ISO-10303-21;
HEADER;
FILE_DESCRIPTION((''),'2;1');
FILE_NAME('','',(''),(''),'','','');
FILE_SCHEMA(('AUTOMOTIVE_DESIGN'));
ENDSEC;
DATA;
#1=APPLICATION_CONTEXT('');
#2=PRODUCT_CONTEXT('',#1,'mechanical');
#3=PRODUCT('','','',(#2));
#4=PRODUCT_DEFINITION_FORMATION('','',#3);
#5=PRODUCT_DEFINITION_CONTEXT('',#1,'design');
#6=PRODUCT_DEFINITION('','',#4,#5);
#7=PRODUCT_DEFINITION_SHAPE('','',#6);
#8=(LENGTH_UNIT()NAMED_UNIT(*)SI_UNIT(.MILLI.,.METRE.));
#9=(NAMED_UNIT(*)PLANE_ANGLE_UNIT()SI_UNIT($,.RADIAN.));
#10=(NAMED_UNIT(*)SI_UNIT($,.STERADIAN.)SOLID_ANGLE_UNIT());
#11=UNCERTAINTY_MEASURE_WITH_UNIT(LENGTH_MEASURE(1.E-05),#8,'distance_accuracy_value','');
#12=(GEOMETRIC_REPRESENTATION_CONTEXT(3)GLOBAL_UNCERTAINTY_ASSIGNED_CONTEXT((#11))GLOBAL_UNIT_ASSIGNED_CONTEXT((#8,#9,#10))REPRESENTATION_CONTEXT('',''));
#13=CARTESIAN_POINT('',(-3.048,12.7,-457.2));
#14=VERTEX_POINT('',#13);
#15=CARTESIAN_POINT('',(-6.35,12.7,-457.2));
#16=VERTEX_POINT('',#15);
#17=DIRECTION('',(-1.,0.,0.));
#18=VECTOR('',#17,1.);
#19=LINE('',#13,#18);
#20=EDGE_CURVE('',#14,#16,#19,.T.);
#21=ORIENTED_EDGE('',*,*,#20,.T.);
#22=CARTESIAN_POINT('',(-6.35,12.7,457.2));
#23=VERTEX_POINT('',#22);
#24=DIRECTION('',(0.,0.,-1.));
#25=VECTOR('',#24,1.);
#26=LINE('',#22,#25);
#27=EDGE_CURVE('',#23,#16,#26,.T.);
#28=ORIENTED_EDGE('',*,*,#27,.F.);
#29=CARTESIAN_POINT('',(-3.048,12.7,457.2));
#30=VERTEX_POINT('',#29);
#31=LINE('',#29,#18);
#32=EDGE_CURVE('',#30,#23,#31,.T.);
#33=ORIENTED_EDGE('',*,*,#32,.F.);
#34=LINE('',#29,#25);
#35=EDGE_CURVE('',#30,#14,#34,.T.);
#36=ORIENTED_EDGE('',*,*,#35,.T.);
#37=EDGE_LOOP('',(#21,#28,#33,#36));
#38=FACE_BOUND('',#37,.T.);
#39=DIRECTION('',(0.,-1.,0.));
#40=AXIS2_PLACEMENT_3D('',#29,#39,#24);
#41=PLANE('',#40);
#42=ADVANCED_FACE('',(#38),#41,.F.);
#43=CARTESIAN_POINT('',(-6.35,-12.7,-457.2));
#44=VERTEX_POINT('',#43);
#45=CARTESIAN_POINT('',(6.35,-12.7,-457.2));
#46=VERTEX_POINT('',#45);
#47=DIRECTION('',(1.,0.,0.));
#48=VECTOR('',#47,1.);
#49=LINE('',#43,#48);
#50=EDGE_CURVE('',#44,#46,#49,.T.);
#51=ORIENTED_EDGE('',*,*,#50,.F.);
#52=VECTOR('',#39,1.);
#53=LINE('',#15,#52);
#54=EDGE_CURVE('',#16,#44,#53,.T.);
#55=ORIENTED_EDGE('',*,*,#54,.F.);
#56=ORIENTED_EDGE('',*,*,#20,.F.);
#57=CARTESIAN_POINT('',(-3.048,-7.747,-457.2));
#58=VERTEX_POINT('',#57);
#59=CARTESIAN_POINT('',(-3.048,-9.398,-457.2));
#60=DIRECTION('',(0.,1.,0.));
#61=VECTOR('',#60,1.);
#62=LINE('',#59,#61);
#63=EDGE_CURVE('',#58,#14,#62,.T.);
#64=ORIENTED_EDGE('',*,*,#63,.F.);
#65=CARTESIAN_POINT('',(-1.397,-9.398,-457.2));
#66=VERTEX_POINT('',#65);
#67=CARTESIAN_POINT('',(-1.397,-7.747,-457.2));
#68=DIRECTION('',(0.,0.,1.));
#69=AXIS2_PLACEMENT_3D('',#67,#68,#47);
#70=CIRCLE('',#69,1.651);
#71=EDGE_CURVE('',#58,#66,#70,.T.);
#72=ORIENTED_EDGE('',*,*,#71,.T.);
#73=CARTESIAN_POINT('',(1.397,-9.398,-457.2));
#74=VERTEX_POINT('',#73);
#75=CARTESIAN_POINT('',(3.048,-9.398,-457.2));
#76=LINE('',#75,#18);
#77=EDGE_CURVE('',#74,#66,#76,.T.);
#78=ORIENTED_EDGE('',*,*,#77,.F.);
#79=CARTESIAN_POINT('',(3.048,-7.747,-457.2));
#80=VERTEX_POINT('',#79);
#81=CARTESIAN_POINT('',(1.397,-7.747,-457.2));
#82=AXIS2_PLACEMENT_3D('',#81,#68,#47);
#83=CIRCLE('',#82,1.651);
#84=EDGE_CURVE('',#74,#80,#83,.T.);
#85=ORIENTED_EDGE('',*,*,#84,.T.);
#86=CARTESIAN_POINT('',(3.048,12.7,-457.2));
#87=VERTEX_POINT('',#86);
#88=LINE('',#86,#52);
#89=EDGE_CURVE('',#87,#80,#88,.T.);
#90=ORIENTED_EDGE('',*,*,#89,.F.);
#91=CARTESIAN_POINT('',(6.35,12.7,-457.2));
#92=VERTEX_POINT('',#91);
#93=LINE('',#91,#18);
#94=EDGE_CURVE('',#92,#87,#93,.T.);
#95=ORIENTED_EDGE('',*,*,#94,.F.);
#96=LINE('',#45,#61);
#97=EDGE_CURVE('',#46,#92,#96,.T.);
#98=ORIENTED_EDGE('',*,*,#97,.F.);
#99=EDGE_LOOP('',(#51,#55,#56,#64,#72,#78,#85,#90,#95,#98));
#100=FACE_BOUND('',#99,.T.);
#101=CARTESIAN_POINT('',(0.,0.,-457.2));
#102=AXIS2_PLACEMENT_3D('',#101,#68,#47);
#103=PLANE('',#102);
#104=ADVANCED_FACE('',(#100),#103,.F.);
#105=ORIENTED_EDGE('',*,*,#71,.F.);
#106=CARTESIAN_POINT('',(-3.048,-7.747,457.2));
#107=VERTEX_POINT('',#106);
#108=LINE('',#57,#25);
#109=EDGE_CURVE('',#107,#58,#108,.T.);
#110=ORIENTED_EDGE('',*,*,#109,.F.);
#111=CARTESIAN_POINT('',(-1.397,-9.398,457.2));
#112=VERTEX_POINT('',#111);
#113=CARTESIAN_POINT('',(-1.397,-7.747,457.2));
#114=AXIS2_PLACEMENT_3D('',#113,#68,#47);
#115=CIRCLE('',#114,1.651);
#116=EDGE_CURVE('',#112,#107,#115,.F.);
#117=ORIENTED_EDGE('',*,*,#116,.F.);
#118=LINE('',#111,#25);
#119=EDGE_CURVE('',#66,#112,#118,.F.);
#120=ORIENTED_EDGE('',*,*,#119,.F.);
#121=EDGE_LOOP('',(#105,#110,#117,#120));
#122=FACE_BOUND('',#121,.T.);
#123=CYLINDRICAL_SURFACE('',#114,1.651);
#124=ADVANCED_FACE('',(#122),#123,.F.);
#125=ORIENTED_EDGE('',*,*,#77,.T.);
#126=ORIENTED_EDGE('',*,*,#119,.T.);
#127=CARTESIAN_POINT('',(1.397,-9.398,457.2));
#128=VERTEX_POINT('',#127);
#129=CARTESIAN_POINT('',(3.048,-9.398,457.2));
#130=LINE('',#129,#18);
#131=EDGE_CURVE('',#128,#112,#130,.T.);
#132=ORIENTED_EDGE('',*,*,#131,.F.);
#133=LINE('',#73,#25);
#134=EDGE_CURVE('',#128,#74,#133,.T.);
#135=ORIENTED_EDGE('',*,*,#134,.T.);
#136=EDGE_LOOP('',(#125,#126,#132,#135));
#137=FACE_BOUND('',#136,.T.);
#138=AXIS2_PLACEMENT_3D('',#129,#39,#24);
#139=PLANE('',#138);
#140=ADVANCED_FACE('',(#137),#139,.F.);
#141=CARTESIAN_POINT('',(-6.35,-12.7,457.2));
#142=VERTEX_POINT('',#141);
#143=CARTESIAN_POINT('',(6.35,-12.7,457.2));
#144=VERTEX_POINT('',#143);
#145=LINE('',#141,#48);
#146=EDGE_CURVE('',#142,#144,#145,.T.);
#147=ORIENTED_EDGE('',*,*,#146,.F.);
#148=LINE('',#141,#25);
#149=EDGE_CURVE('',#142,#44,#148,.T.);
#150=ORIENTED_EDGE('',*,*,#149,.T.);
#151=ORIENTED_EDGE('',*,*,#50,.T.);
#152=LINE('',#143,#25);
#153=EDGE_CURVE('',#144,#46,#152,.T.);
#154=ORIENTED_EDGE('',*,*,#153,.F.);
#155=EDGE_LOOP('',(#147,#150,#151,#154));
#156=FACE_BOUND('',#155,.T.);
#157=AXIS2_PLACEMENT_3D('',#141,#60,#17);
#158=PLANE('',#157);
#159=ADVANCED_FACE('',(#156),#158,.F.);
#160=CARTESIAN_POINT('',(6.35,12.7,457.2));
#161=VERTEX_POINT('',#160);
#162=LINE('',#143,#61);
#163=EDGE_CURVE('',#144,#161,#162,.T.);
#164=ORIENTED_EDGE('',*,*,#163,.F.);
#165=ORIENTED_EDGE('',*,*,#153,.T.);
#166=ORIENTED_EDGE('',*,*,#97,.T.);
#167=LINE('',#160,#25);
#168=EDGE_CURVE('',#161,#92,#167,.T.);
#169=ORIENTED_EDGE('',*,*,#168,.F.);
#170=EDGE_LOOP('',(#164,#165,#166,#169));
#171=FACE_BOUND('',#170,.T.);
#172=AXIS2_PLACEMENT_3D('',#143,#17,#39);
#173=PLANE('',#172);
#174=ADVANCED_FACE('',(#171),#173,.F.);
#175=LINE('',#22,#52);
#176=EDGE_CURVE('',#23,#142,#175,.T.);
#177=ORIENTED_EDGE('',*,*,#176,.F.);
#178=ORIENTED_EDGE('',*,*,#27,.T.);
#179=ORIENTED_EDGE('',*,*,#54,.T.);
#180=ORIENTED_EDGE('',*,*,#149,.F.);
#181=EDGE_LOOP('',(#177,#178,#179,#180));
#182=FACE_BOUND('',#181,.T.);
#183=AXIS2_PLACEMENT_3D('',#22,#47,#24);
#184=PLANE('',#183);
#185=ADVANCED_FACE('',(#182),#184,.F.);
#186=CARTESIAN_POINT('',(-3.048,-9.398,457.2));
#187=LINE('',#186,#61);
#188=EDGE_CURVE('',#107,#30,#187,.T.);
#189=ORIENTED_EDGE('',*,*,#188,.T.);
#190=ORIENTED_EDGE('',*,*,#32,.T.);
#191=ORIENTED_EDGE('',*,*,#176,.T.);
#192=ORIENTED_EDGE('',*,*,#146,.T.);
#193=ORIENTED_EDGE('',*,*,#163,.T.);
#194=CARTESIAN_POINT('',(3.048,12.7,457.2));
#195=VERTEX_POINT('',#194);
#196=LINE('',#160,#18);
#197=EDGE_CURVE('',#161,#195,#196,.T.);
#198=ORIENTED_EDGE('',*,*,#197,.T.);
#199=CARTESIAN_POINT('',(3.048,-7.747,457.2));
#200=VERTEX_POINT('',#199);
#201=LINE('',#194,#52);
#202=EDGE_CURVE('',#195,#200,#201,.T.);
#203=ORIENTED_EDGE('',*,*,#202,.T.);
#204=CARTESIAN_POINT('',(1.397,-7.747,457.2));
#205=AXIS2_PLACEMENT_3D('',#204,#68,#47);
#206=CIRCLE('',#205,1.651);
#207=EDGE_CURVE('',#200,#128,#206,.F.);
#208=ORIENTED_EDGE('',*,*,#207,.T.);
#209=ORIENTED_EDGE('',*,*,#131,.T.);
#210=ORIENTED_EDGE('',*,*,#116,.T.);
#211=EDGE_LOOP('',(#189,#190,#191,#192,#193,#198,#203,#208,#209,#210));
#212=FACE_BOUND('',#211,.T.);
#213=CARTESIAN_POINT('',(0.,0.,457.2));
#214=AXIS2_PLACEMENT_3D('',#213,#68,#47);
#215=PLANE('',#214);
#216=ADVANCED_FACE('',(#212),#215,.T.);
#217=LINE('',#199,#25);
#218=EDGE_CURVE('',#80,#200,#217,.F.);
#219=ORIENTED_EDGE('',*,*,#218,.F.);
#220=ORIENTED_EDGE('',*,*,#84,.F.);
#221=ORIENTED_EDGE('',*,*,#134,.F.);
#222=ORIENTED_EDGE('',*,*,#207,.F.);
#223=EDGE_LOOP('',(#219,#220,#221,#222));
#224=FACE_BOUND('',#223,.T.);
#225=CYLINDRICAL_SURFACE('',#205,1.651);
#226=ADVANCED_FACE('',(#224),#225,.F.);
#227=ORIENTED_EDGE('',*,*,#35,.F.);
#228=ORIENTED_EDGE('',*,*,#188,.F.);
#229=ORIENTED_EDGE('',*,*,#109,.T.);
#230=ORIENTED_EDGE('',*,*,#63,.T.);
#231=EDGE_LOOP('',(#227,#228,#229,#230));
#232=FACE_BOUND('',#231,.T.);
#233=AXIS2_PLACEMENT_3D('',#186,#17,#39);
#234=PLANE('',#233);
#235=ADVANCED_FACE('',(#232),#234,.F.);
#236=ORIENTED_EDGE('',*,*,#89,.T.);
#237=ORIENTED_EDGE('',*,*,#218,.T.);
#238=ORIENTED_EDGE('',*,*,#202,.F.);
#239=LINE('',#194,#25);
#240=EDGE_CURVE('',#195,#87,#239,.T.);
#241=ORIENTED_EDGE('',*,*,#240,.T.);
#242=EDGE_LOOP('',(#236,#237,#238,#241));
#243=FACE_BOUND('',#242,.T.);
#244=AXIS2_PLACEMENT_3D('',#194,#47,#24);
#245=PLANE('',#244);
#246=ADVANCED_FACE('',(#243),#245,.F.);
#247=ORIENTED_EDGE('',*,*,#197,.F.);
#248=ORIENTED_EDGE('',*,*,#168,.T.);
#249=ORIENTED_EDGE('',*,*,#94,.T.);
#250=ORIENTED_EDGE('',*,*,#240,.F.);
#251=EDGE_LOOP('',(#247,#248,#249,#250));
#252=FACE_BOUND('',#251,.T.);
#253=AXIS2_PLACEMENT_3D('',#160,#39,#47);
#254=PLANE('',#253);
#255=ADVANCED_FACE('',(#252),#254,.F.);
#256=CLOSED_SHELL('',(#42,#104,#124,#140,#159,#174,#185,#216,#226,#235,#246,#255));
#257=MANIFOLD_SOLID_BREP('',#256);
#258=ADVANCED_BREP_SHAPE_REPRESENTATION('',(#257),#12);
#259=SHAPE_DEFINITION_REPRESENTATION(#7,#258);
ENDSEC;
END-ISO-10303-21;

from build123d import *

# Parameters (mm, degrees)
BOSS_EXTRUDE1_DEPTH = 457.2
FILLET1_R           = 1.651


with BuildPart() as part:
    # Sketch3 → Boss-Extrude1 (new, symmetric)
    with BuildSketch(Plane.XY):
        Polygon((-6.35, 12.7), (-6.35, -12.7), (6.35, -12.7), (6.35, 12.7), (3.048, 12.7), (3.048, -9.398), (-3.048, -9.398), (-3.048, 12.7), align=None)
    extrude(amount=BOSS_EXTRUDE1_DEPTH, both=True)

    # Fillet1
    fillet1_edges = [part.edges().sort_by_distance(p)[0] for p in [
        (-3.048, -9.398, 0),
        (3.048, -9.398, 0),
    ]]
    fillet(fillet1_edges, radius=FILLET1_R)


solid = part.part
